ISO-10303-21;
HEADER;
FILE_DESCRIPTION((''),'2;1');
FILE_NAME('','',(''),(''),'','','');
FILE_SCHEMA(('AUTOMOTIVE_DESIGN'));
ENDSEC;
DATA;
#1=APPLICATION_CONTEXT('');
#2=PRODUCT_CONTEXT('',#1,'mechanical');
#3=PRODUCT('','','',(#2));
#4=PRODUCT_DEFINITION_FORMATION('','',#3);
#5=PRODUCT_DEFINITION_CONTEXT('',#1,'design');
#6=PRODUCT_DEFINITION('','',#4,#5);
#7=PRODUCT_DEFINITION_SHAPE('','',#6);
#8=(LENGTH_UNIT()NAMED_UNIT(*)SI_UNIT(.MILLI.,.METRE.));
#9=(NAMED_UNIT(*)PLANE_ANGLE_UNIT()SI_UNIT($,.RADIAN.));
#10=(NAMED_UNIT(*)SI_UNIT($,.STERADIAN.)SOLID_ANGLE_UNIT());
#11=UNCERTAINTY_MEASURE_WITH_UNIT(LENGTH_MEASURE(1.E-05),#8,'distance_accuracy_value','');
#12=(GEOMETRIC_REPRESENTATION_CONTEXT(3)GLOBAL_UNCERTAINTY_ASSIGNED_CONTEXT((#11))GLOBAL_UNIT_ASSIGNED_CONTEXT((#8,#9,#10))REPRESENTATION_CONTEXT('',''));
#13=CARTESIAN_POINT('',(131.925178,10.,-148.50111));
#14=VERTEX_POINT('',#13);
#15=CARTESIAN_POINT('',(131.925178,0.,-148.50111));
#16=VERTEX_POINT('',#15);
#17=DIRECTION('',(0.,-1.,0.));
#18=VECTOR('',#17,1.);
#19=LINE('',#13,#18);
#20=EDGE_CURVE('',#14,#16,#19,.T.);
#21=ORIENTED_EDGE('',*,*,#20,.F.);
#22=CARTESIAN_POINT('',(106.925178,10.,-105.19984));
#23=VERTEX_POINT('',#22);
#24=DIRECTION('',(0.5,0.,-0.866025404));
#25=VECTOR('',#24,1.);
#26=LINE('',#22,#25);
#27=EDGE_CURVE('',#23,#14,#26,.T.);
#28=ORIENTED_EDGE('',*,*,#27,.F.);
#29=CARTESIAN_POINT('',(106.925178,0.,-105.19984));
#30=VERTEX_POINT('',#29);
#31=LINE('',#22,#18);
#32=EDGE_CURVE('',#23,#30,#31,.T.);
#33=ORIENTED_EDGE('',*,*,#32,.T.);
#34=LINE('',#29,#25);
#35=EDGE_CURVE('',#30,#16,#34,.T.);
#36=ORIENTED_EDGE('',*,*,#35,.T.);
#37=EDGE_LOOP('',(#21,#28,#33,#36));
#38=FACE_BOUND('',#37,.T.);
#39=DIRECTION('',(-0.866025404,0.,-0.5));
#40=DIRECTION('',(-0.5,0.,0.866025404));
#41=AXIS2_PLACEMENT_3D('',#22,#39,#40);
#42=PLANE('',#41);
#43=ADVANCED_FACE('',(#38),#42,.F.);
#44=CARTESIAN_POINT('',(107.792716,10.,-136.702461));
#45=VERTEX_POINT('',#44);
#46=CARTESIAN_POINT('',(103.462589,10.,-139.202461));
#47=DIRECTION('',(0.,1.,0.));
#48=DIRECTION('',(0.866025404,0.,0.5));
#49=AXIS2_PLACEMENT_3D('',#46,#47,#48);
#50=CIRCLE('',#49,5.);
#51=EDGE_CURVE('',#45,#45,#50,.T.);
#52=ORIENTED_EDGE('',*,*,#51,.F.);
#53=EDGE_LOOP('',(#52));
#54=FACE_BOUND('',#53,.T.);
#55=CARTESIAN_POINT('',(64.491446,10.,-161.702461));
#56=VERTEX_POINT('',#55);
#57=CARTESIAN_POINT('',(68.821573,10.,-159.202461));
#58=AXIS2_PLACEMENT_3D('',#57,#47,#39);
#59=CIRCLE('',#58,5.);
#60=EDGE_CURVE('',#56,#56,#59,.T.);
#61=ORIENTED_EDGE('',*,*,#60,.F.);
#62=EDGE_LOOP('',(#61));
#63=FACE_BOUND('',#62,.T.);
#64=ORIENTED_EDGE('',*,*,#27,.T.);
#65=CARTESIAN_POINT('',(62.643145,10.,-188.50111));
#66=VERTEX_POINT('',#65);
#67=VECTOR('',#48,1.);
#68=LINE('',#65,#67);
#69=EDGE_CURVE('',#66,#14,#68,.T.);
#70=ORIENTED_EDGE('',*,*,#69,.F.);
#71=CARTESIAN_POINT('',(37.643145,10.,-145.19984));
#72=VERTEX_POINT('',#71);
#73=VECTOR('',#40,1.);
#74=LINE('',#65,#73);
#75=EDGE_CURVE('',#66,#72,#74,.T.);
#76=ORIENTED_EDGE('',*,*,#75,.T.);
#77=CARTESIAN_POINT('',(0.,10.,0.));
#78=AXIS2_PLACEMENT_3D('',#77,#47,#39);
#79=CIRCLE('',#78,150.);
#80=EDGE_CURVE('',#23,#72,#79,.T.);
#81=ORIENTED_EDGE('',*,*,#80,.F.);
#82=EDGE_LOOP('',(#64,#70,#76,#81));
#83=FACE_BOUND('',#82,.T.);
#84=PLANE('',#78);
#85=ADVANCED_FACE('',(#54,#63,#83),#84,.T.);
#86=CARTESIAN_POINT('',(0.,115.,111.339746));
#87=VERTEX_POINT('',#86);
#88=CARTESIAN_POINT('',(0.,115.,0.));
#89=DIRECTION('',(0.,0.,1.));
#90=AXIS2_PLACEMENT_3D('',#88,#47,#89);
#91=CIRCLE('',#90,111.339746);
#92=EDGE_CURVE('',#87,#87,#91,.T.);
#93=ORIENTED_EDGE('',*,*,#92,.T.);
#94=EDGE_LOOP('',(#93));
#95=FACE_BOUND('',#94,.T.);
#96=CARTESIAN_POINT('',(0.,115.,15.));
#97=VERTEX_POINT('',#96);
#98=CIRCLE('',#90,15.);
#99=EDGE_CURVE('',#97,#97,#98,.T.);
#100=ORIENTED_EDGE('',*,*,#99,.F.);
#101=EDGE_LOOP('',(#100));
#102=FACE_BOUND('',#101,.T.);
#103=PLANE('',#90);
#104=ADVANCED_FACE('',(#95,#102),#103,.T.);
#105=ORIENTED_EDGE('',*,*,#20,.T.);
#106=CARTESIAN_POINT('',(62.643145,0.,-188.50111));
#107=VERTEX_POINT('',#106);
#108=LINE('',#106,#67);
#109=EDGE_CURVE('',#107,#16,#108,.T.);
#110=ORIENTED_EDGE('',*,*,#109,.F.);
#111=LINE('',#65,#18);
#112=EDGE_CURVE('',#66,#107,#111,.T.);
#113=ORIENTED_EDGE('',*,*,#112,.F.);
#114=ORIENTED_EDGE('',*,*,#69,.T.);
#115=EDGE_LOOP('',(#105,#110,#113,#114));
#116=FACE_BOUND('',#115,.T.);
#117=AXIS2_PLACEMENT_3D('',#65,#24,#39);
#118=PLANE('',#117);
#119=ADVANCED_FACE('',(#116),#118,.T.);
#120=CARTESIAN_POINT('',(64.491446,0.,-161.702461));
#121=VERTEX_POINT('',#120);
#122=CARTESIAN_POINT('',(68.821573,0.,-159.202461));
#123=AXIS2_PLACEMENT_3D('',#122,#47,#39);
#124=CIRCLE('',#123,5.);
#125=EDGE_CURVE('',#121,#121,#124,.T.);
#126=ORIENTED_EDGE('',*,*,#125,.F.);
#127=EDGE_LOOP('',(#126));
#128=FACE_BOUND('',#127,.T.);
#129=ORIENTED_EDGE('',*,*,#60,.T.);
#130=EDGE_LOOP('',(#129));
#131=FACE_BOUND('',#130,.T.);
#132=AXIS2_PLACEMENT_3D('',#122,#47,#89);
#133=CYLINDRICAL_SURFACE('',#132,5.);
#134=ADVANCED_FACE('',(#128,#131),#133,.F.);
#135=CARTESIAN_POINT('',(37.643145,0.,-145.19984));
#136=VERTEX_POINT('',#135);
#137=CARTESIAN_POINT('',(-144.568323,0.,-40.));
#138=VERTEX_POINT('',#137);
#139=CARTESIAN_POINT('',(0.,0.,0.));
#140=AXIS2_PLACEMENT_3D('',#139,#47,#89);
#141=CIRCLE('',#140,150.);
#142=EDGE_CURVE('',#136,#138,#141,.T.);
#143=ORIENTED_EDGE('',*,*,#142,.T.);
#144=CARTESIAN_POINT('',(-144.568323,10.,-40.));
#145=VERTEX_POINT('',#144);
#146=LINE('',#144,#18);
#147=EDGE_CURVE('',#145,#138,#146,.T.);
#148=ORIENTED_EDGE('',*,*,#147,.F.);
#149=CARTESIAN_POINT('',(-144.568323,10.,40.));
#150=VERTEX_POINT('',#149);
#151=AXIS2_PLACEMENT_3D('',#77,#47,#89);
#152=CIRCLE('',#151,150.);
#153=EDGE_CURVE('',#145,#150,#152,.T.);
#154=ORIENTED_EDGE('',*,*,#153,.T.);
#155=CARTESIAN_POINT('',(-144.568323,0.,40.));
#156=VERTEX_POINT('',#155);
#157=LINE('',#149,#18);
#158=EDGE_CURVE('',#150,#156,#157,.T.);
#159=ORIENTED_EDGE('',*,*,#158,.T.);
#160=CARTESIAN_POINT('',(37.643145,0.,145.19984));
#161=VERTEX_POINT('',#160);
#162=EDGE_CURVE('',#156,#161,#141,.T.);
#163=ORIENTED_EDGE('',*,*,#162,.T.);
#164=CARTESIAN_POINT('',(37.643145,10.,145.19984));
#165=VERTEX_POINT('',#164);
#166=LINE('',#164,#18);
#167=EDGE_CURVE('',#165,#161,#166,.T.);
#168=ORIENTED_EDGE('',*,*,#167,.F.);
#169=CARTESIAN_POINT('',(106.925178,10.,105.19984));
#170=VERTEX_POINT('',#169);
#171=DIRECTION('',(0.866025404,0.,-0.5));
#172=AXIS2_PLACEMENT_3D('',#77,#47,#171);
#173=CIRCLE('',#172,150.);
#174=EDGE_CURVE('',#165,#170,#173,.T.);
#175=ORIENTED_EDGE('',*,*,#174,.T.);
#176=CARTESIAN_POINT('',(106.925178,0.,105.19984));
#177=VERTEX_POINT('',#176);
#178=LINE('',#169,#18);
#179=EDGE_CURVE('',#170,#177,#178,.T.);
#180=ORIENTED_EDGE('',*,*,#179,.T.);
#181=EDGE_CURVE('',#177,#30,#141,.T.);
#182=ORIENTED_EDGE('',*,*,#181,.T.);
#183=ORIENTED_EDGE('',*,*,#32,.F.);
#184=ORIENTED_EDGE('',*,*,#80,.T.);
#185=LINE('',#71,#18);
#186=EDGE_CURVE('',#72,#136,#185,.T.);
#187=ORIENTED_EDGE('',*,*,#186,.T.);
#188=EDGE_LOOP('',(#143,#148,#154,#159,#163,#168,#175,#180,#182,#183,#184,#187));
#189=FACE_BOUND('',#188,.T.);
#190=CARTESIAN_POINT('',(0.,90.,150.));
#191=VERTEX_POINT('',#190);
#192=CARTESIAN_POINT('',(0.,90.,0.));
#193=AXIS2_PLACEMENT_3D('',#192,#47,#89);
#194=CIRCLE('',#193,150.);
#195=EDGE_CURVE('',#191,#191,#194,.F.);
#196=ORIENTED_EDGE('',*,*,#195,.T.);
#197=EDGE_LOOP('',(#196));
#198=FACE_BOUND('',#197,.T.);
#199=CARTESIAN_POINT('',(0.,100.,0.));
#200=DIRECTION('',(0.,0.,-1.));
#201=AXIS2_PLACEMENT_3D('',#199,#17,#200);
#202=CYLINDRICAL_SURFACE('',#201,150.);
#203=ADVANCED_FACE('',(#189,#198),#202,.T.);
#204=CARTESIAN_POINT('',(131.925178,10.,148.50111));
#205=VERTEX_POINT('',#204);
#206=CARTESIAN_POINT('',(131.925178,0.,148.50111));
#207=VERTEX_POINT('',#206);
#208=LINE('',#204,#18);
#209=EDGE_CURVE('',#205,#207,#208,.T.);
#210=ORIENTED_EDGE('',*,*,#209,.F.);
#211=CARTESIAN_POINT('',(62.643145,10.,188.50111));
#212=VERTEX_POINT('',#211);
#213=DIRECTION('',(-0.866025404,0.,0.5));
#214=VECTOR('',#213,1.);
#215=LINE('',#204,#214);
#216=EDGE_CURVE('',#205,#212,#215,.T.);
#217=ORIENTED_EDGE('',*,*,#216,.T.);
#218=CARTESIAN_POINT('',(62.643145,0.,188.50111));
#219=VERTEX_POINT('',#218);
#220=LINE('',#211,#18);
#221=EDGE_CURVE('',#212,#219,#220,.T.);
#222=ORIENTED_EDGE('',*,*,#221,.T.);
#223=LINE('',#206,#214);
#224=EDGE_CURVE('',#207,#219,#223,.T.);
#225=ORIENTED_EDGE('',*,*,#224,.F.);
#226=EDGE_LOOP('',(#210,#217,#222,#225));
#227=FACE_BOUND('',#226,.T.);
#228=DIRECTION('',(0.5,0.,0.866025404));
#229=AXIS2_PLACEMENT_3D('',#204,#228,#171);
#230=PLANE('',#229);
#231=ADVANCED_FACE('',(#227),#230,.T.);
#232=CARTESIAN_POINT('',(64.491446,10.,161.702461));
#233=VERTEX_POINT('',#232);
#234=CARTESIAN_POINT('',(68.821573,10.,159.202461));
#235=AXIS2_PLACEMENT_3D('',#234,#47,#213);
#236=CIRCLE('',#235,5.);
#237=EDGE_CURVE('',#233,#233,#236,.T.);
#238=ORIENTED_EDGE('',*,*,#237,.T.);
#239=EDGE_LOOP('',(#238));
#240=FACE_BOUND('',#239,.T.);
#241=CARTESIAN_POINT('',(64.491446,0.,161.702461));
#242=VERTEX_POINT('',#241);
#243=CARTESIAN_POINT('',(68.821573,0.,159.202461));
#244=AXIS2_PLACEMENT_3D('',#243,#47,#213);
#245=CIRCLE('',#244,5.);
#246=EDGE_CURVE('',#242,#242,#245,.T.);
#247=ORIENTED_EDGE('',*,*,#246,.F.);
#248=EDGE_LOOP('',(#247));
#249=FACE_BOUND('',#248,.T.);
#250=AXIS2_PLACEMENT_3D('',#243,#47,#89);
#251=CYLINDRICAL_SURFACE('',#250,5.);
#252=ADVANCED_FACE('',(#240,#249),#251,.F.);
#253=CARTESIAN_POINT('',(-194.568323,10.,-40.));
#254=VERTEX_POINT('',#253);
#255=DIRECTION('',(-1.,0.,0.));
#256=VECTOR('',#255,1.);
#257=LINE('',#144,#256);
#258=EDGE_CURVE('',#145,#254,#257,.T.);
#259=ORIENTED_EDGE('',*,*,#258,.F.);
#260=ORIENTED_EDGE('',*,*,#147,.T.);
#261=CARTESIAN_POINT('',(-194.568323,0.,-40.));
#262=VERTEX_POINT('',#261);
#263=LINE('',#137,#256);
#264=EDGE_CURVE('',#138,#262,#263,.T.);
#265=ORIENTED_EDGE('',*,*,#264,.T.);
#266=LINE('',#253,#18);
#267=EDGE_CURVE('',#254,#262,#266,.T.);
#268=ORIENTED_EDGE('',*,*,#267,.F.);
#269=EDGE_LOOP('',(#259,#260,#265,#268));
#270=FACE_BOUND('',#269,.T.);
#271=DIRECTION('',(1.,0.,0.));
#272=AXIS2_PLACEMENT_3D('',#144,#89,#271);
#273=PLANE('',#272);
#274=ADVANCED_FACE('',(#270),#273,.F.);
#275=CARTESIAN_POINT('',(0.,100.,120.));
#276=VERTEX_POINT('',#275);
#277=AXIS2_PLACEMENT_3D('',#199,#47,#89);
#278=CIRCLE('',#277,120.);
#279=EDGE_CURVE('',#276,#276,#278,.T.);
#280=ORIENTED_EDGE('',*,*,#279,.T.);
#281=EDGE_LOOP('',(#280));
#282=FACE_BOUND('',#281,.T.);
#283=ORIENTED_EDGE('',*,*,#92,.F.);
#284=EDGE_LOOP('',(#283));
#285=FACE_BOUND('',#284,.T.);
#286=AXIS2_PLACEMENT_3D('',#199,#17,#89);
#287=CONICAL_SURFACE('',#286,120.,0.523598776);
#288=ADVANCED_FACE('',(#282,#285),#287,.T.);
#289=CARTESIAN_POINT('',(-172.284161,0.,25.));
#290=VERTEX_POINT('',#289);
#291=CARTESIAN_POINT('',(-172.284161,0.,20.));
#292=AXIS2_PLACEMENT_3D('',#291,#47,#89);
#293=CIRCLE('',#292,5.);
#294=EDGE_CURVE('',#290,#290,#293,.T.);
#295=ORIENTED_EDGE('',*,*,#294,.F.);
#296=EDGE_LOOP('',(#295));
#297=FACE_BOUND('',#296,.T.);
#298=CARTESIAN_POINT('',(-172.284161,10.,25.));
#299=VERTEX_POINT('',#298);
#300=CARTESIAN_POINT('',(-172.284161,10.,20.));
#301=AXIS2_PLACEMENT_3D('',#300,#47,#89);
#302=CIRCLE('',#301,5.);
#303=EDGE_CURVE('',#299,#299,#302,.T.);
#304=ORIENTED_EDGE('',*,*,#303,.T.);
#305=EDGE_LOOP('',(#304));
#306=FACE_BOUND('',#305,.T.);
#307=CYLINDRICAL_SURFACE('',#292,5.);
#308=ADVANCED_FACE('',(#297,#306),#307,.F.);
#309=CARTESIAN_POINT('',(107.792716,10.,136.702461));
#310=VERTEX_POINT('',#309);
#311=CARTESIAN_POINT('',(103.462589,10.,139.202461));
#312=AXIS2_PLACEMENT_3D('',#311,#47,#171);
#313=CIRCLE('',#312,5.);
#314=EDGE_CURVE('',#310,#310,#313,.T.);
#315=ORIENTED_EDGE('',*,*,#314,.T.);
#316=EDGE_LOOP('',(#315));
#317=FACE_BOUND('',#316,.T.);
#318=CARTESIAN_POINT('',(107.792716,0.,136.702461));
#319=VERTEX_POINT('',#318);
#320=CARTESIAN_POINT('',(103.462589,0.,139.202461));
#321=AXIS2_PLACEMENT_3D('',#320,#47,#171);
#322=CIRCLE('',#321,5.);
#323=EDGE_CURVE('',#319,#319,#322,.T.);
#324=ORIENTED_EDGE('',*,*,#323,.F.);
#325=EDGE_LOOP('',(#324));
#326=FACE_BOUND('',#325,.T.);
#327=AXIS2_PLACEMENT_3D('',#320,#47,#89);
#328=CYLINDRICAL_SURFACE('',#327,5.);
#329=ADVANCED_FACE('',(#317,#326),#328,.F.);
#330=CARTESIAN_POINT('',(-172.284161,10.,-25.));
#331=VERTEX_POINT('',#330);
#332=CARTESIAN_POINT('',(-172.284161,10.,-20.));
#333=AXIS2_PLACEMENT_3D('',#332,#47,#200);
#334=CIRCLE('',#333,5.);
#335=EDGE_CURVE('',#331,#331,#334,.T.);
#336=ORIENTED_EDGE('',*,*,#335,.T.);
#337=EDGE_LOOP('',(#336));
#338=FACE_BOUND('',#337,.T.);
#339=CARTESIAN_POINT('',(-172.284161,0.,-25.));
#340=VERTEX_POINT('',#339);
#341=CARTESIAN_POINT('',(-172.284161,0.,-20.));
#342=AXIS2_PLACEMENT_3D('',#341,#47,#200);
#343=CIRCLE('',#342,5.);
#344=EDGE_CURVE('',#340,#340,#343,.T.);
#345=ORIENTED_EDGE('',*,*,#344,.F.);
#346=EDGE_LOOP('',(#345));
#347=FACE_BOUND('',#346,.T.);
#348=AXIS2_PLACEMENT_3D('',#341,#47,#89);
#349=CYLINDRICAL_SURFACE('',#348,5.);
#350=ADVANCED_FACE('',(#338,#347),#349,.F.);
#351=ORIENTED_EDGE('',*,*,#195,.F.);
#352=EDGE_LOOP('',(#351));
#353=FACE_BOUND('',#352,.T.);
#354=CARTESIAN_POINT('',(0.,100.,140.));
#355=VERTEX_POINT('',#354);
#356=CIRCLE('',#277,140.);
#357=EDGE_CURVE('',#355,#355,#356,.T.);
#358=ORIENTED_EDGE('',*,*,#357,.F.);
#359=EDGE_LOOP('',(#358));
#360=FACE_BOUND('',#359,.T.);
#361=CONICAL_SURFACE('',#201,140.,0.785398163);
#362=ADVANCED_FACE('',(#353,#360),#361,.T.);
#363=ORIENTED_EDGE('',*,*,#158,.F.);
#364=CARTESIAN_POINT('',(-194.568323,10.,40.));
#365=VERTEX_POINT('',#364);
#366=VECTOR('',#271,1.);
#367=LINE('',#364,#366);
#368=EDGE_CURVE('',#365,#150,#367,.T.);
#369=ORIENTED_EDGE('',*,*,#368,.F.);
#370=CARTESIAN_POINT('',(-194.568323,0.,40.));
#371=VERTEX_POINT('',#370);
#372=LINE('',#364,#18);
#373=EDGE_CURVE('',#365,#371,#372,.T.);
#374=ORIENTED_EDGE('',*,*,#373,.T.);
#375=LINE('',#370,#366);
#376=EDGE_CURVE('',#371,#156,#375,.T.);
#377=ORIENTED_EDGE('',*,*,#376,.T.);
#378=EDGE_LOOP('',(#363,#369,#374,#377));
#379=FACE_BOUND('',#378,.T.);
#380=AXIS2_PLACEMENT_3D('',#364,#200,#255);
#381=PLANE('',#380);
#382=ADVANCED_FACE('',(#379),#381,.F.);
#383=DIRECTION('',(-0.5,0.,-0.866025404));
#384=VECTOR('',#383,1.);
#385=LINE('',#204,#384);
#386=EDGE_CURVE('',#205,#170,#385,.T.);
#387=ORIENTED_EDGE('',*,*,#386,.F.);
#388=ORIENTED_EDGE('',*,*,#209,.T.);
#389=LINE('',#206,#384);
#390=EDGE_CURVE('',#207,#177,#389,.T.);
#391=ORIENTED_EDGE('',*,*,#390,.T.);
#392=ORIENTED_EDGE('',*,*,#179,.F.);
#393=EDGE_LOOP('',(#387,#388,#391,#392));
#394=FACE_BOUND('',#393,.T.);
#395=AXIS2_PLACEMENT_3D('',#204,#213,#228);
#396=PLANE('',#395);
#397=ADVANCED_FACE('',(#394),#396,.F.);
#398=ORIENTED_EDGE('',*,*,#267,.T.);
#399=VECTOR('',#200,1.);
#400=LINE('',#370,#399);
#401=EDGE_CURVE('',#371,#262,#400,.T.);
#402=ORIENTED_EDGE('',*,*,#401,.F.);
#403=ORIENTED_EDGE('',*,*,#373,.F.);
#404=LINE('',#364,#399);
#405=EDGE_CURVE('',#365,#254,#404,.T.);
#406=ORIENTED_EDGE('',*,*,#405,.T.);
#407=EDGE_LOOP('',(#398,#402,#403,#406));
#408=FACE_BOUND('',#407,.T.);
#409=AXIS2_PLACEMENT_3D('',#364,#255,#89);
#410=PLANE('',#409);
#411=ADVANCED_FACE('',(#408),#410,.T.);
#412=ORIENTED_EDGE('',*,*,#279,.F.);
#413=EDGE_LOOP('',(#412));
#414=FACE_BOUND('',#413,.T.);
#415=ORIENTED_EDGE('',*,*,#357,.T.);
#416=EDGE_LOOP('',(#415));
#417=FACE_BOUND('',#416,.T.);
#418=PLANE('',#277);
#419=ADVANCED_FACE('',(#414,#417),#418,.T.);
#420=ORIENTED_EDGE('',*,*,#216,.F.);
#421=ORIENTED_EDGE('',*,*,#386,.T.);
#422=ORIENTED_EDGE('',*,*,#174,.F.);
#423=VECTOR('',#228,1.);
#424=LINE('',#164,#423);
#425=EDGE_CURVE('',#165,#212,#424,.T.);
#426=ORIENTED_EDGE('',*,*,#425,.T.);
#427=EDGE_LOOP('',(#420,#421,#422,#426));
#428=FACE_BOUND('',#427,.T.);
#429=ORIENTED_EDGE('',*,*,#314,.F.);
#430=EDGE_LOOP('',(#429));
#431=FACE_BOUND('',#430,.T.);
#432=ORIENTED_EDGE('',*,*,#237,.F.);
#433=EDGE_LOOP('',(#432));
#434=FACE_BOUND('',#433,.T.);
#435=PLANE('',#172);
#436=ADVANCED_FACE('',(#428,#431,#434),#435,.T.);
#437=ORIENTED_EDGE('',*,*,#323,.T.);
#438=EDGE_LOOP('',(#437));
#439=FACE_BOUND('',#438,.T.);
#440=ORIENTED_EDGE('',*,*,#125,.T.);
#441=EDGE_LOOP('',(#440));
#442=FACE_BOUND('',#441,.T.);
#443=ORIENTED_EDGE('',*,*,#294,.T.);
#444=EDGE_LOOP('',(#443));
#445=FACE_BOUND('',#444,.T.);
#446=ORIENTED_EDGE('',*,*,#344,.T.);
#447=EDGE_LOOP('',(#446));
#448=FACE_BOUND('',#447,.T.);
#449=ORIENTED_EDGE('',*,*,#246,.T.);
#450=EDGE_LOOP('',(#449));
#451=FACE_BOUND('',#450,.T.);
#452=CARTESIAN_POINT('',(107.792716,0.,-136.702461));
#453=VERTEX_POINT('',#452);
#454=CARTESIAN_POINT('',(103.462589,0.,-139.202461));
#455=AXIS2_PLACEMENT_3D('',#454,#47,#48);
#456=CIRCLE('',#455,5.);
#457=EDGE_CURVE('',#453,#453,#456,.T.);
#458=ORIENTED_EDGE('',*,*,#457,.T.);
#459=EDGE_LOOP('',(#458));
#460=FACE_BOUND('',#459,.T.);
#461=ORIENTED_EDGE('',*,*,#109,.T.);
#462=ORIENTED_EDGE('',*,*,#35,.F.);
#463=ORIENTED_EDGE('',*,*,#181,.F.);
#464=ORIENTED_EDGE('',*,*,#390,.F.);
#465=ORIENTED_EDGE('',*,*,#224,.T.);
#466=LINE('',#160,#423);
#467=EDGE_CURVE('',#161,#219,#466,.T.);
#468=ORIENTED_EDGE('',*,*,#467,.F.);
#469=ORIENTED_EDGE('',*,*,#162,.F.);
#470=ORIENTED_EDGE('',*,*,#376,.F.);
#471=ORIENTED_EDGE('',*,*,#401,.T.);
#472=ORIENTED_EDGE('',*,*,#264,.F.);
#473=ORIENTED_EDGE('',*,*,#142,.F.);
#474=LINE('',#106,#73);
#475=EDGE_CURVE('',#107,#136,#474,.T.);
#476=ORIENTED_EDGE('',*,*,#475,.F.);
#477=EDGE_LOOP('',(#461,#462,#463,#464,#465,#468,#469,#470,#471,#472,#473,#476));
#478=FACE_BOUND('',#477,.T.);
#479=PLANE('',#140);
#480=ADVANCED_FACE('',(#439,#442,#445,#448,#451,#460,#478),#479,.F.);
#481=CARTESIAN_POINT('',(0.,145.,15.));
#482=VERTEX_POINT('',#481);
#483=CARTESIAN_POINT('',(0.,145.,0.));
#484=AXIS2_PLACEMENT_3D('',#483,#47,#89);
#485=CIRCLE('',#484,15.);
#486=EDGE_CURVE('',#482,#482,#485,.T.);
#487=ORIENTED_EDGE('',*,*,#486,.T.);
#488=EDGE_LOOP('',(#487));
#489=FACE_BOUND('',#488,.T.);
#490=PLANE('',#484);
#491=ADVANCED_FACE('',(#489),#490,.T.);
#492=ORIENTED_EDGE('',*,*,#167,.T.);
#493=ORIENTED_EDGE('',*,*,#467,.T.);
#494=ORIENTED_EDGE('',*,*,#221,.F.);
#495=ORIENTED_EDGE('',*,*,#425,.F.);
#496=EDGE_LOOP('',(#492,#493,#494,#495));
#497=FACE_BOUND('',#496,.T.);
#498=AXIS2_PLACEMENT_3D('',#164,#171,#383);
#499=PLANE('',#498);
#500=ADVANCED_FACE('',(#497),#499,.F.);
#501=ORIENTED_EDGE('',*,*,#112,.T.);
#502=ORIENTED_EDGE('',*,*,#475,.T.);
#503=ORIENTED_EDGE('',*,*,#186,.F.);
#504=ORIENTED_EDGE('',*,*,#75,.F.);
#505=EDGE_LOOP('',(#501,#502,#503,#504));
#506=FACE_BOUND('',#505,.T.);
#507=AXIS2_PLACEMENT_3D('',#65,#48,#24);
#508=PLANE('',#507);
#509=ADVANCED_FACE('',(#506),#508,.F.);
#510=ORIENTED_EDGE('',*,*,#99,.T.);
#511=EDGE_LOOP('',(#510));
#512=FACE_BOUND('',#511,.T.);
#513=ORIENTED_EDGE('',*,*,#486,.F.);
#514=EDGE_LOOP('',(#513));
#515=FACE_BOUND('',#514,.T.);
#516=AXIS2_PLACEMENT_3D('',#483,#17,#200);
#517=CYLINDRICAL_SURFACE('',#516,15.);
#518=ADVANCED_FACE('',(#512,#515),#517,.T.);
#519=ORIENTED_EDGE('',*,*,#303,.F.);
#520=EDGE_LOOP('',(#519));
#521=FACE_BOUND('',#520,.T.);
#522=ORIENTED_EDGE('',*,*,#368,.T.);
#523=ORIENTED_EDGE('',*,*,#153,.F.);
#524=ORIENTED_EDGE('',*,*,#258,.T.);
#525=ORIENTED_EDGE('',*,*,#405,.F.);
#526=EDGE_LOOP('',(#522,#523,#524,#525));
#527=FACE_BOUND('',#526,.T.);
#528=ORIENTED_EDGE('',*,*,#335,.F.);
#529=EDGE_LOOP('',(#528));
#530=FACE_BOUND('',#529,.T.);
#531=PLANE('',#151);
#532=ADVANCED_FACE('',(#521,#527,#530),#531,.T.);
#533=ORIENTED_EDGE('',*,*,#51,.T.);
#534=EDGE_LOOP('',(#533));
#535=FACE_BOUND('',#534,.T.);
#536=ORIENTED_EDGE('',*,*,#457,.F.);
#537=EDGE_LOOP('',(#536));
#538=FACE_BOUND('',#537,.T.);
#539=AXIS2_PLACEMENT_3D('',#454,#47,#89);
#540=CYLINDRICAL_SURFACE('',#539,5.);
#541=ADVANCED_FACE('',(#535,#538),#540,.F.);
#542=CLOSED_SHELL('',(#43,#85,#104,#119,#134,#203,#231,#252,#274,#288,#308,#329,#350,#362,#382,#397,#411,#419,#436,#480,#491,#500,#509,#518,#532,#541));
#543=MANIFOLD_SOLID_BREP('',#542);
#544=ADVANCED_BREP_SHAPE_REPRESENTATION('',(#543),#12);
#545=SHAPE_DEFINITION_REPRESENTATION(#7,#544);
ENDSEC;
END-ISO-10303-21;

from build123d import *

# Parameters (mm, degrees)
SKETCH1_R           = 150
BOSS_EXTRUDE1_DEPTH = 100
CHAMFER1_SIZE       = 10
BOSS_EXTRUDE2_START = -100
BOSS_EXTRUDE2_DEPTH = 10
SKETCH3_R           = 5
CUT_EXTRUDE1_DEPTH  = 10
CIRPATTERN2_COUNT   = 3
SKETCH4_R           = 120
BOSS_EXTRUDE4_DEPTH = 15
BOSS_EXTRUDE4_TAPER = 30
SKETCH5_R           = 15
BOSS_EXTRUDE5_DEPTH = 30


with BuildPart() as part:
    # Sketch1 → Boss-Extrude1 (new body)
    with BuildSketch(Plane(origin=(0, 0, 0), x_dir=(1, 0, 0), z_dir=(0, 1, 0))):
        Circle(SKETCH1_R)
    extrude(amount=BOSS_EXTRUDE1_DEPTH)

    # Chamfer1
    chamfer1_edges = [part.edges().sort_by_distance(p)[0] for p in [
        (-150, 100, 0),
    ]]
    chamfer(chamfer1_edges, length=CHAMFER1_SIZE)

    # Sketch2 → Boss-Extrude2 (add)
    with BuildSketch(Plane(origin=(0, 100, 0), x_dir=(1, 0, 0), z_dir=(0, 1, 0)).offset(BOSS_EXTRUDE2_START)):
        with BuildLine():
            Line((-194.568322948, -40), (-194.568322948, 40))
            Line((-194.568322948, 40), (-144.568322948, 40))
            ThreePointArc((-144.568322948, 40), (-150, 0), (-144.568322948, -40))
            Line((-144.568322948, -40), (-194.568322948, -40))
        make_face()
    boss_extrude2 = extrude(amount=BOSS_EXTRUDE2_DEPTH)

    # Sketch3 → Cut-Extrude1 (cut)
    with BuildSketch(Plane(origin=(0, 10, 0), x_dir=(1, 0, 0), z_dir=(0, 1, 0))):
        with Locations((-172.284161474, -20)):
            Circle(SKETCH3_R)
        with Locations((-172.284161474, 20)):
            Circle(SKETCH3_R)
    cut_extrude1 = extrude(amount=-CUT_EXTRUDE1_DEPTH, mode=Mode.SUBTRACT)

    # CirPattern2: Boss-Extrude2, Cut-Extrude1 ×3 about axis
    cirpattern2_axis = Axis((0, 0, 0), (0, 1, 0))
    for i in range(1, CIRPATTERN2_COUNT):
        add(boss_extrude2.rotate(cirpattern2_axis, i * 360 / CIRPATTERN2_COUNT))
        add(cut_extrude1.rotate(cirpattern2_axis, i * 360 / CIRPATTERN2_COUNT), mode=Mode.SUBTRACT)

    # Sketch4 → Boss-Extrude4 (add)
    with BuildSketch(Plane(origin=(0, 100, 0), x_dir=(1, 0, 0), z_dir=(0, 1, 0))):
        Circle(SKETCH4_R)
    extrude(amount=BOSS_EXTRUDE4_DEPTH, taper=BOSS_EXTRUDE4_TAPER)

    # Sketch5 → Boss-Extrude5 (add)
    with BuildSketch(Plane(origin=(0, 115, 0), x_dir=(1, 0, 0), z_dir=(0, 1, 0))):
        Circle(SKETCH5_R)
    extrude(amount=BOSS_EXTRUDE5_DEPTH)


solid = part.part
